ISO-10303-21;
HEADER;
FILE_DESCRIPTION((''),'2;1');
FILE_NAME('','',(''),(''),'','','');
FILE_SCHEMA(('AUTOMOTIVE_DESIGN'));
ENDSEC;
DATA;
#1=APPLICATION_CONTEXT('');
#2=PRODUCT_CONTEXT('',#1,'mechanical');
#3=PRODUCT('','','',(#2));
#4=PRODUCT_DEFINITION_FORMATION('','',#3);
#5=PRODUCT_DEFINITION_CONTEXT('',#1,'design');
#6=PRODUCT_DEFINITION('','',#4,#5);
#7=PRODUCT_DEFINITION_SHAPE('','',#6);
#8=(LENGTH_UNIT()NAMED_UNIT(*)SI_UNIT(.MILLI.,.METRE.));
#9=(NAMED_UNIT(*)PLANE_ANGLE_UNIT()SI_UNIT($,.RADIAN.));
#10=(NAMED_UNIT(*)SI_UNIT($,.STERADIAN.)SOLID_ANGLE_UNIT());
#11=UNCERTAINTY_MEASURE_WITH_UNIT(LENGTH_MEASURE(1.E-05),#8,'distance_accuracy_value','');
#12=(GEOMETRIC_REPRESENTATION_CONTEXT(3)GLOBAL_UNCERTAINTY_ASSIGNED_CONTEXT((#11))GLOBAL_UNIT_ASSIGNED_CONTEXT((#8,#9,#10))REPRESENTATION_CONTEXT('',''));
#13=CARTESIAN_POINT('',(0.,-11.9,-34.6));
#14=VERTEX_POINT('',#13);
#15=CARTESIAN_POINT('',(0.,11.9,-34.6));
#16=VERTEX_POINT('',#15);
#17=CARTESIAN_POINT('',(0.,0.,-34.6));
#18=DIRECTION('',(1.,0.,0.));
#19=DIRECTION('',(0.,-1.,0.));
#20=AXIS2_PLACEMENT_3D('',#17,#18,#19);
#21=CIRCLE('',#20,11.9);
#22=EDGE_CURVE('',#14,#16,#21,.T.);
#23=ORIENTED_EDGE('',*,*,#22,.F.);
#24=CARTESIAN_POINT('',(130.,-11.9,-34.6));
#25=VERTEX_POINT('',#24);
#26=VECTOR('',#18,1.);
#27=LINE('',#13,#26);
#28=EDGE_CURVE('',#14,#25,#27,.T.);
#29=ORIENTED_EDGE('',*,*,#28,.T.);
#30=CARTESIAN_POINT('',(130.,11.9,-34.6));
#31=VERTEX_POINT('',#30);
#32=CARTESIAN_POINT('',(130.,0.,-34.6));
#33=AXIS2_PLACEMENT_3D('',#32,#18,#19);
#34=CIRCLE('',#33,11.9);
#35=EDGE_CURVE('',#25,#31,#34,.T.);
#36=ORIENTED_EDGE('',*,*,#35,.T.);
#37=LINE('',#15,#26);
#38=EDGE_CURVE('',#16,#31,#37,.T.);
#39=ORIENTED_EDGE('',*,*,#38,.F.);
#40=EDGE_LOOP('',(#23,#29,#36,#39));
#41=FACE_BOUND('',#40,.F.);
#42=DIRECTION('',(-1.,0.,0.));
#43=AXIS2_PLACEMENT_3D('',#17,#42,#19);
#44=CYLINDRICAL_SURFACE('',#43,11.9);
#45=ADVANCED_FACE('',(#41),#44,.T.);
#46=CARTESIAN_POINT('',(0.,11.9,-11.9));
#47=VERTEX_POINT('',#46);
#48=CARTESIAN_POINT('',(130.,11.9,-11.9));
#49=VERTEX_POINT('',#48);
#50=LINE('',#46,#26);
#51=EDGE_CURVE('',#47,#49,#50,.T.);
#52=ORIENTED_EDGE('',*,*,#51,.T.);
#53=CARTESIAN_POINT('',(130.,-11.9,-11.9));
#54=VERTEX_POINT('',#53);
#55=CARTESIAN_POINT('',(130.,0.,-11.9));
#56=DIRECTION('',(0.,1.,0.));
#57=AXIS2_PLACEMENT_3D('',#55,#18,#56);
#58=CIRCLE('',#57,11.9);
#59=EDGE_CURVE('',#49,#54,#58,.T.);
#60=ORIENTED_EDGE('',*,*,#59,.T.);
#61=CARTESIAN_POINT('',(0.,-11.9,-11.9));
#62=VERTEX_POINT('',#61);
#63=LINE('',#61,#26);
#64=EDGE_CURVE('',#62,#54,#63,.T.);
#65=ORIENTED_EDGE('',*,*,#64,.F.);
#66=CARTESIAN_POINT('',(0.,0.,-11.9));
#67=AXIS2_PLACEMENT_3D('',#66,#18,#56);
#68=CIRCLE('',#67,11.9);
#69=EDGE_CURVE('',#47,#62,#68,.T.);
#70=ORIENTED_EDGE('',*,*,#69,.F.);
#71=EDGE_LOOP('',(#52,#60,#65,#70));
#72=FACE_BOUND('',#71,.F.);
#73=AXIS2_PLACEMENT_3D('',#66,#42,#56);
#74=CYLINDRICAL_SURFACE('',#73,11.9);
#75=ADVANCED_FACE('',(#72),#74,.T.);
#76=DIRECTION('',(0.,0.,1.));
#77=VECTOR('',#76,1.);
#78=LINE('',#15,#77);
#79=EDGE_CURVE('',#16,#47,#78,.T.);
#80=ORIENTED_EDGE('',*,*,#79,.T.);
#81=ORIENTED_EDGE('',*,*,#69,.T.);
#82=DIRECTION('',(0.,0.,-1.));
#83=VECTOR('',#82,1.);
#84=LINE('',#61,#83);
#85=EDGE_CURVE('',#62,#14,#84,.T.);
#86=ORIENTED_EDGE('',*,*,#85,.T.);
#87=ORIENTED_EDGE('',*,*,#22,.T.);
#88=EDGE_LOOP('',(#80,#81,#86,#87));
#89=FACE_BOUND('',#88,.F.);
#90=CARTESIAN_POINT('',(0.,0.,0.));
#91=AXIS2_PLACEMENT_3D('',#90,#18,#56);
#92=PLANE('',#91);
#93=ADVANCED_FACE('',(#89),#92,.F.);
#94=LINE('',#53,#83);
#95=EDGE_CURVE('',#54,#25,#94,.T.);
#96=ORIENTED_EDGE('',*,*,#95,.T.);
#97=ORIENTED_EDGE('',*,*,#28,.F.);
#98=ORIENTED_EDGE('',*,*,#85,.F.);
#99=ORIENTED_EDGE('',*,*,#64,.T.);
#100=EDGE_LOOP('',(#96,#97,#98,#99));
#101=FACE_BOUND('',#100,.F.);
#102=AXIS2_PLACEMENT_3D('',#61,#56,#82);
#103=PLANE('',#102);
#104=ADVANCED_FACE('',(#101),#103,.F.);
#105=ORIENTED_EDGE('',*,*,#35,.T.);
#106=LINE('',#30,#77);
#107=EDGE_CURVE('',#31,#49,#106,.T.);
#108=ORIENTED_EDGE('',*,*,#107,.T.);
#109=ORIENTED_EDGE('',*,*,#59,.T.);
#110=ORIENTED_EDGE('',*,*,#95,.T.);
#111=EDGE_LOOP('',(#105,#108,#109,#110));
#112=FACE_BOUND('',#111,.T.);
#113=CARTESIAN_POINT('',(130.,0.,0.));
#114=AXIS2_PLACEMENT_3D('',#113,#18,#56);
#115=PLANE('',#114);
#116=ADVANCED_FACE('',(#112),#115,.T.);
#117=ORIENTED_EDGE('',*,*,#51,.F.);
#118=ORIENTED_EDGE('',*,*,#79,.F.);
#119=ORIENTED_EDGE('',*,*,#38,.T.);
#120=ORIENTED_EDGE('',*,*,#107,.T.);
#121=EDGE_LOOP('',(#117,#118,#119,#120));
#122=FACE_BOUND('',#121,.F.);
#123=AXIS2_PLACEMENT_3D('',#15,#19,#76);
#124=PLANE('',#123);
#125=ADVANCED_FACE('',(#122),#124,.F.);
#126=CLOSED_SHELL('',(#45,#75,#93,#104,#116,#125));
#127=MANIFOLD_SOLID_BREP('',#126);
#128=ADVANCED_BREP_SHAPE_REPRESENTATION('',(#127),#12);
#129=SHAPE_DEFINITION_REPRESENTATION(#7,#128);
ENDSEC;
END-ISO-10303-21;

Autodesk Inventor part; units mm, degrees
ref_plane "YZ Plane" through (0, 0, 0) normal (1, 0, 0) x (0, 1, 0)
ref_plane "XZ Plane" through (0, 0, 0) normal (0, 1, 0) x (-1, 0, 0)
ref_plane "XY Plane" through (0, 0, 0) normal (0, 0, 1) x (1, 0, 0)
sketch "Sketch1" plane through (0, 0, 0) normal (1, 0, 0) x (0, 1, 0)
  line L0 (0, 0) -> (0, -46.5) construction
  line L1 (-11.9, -11.9) -> (-11.9, -34.6)
  line L2 (11.9, -34.6) -> (11.9, -11.9)
  arc A0 (11.9, -11.9) -> (-11.9, -11.9) centre (0, -11.9) ccw
  arc A1 (-11.9, -34.6) -> (11.9, -34.6) centre (0, -34.6) ccw
  point P0 (0, -23.25)
  dimension "d0" = 46.5
  dimension "d1" = 23.8
extrude "Extrusion1" add sketch "Sketch1" along normal blind 130
properties part number "HX-2000MHT"
